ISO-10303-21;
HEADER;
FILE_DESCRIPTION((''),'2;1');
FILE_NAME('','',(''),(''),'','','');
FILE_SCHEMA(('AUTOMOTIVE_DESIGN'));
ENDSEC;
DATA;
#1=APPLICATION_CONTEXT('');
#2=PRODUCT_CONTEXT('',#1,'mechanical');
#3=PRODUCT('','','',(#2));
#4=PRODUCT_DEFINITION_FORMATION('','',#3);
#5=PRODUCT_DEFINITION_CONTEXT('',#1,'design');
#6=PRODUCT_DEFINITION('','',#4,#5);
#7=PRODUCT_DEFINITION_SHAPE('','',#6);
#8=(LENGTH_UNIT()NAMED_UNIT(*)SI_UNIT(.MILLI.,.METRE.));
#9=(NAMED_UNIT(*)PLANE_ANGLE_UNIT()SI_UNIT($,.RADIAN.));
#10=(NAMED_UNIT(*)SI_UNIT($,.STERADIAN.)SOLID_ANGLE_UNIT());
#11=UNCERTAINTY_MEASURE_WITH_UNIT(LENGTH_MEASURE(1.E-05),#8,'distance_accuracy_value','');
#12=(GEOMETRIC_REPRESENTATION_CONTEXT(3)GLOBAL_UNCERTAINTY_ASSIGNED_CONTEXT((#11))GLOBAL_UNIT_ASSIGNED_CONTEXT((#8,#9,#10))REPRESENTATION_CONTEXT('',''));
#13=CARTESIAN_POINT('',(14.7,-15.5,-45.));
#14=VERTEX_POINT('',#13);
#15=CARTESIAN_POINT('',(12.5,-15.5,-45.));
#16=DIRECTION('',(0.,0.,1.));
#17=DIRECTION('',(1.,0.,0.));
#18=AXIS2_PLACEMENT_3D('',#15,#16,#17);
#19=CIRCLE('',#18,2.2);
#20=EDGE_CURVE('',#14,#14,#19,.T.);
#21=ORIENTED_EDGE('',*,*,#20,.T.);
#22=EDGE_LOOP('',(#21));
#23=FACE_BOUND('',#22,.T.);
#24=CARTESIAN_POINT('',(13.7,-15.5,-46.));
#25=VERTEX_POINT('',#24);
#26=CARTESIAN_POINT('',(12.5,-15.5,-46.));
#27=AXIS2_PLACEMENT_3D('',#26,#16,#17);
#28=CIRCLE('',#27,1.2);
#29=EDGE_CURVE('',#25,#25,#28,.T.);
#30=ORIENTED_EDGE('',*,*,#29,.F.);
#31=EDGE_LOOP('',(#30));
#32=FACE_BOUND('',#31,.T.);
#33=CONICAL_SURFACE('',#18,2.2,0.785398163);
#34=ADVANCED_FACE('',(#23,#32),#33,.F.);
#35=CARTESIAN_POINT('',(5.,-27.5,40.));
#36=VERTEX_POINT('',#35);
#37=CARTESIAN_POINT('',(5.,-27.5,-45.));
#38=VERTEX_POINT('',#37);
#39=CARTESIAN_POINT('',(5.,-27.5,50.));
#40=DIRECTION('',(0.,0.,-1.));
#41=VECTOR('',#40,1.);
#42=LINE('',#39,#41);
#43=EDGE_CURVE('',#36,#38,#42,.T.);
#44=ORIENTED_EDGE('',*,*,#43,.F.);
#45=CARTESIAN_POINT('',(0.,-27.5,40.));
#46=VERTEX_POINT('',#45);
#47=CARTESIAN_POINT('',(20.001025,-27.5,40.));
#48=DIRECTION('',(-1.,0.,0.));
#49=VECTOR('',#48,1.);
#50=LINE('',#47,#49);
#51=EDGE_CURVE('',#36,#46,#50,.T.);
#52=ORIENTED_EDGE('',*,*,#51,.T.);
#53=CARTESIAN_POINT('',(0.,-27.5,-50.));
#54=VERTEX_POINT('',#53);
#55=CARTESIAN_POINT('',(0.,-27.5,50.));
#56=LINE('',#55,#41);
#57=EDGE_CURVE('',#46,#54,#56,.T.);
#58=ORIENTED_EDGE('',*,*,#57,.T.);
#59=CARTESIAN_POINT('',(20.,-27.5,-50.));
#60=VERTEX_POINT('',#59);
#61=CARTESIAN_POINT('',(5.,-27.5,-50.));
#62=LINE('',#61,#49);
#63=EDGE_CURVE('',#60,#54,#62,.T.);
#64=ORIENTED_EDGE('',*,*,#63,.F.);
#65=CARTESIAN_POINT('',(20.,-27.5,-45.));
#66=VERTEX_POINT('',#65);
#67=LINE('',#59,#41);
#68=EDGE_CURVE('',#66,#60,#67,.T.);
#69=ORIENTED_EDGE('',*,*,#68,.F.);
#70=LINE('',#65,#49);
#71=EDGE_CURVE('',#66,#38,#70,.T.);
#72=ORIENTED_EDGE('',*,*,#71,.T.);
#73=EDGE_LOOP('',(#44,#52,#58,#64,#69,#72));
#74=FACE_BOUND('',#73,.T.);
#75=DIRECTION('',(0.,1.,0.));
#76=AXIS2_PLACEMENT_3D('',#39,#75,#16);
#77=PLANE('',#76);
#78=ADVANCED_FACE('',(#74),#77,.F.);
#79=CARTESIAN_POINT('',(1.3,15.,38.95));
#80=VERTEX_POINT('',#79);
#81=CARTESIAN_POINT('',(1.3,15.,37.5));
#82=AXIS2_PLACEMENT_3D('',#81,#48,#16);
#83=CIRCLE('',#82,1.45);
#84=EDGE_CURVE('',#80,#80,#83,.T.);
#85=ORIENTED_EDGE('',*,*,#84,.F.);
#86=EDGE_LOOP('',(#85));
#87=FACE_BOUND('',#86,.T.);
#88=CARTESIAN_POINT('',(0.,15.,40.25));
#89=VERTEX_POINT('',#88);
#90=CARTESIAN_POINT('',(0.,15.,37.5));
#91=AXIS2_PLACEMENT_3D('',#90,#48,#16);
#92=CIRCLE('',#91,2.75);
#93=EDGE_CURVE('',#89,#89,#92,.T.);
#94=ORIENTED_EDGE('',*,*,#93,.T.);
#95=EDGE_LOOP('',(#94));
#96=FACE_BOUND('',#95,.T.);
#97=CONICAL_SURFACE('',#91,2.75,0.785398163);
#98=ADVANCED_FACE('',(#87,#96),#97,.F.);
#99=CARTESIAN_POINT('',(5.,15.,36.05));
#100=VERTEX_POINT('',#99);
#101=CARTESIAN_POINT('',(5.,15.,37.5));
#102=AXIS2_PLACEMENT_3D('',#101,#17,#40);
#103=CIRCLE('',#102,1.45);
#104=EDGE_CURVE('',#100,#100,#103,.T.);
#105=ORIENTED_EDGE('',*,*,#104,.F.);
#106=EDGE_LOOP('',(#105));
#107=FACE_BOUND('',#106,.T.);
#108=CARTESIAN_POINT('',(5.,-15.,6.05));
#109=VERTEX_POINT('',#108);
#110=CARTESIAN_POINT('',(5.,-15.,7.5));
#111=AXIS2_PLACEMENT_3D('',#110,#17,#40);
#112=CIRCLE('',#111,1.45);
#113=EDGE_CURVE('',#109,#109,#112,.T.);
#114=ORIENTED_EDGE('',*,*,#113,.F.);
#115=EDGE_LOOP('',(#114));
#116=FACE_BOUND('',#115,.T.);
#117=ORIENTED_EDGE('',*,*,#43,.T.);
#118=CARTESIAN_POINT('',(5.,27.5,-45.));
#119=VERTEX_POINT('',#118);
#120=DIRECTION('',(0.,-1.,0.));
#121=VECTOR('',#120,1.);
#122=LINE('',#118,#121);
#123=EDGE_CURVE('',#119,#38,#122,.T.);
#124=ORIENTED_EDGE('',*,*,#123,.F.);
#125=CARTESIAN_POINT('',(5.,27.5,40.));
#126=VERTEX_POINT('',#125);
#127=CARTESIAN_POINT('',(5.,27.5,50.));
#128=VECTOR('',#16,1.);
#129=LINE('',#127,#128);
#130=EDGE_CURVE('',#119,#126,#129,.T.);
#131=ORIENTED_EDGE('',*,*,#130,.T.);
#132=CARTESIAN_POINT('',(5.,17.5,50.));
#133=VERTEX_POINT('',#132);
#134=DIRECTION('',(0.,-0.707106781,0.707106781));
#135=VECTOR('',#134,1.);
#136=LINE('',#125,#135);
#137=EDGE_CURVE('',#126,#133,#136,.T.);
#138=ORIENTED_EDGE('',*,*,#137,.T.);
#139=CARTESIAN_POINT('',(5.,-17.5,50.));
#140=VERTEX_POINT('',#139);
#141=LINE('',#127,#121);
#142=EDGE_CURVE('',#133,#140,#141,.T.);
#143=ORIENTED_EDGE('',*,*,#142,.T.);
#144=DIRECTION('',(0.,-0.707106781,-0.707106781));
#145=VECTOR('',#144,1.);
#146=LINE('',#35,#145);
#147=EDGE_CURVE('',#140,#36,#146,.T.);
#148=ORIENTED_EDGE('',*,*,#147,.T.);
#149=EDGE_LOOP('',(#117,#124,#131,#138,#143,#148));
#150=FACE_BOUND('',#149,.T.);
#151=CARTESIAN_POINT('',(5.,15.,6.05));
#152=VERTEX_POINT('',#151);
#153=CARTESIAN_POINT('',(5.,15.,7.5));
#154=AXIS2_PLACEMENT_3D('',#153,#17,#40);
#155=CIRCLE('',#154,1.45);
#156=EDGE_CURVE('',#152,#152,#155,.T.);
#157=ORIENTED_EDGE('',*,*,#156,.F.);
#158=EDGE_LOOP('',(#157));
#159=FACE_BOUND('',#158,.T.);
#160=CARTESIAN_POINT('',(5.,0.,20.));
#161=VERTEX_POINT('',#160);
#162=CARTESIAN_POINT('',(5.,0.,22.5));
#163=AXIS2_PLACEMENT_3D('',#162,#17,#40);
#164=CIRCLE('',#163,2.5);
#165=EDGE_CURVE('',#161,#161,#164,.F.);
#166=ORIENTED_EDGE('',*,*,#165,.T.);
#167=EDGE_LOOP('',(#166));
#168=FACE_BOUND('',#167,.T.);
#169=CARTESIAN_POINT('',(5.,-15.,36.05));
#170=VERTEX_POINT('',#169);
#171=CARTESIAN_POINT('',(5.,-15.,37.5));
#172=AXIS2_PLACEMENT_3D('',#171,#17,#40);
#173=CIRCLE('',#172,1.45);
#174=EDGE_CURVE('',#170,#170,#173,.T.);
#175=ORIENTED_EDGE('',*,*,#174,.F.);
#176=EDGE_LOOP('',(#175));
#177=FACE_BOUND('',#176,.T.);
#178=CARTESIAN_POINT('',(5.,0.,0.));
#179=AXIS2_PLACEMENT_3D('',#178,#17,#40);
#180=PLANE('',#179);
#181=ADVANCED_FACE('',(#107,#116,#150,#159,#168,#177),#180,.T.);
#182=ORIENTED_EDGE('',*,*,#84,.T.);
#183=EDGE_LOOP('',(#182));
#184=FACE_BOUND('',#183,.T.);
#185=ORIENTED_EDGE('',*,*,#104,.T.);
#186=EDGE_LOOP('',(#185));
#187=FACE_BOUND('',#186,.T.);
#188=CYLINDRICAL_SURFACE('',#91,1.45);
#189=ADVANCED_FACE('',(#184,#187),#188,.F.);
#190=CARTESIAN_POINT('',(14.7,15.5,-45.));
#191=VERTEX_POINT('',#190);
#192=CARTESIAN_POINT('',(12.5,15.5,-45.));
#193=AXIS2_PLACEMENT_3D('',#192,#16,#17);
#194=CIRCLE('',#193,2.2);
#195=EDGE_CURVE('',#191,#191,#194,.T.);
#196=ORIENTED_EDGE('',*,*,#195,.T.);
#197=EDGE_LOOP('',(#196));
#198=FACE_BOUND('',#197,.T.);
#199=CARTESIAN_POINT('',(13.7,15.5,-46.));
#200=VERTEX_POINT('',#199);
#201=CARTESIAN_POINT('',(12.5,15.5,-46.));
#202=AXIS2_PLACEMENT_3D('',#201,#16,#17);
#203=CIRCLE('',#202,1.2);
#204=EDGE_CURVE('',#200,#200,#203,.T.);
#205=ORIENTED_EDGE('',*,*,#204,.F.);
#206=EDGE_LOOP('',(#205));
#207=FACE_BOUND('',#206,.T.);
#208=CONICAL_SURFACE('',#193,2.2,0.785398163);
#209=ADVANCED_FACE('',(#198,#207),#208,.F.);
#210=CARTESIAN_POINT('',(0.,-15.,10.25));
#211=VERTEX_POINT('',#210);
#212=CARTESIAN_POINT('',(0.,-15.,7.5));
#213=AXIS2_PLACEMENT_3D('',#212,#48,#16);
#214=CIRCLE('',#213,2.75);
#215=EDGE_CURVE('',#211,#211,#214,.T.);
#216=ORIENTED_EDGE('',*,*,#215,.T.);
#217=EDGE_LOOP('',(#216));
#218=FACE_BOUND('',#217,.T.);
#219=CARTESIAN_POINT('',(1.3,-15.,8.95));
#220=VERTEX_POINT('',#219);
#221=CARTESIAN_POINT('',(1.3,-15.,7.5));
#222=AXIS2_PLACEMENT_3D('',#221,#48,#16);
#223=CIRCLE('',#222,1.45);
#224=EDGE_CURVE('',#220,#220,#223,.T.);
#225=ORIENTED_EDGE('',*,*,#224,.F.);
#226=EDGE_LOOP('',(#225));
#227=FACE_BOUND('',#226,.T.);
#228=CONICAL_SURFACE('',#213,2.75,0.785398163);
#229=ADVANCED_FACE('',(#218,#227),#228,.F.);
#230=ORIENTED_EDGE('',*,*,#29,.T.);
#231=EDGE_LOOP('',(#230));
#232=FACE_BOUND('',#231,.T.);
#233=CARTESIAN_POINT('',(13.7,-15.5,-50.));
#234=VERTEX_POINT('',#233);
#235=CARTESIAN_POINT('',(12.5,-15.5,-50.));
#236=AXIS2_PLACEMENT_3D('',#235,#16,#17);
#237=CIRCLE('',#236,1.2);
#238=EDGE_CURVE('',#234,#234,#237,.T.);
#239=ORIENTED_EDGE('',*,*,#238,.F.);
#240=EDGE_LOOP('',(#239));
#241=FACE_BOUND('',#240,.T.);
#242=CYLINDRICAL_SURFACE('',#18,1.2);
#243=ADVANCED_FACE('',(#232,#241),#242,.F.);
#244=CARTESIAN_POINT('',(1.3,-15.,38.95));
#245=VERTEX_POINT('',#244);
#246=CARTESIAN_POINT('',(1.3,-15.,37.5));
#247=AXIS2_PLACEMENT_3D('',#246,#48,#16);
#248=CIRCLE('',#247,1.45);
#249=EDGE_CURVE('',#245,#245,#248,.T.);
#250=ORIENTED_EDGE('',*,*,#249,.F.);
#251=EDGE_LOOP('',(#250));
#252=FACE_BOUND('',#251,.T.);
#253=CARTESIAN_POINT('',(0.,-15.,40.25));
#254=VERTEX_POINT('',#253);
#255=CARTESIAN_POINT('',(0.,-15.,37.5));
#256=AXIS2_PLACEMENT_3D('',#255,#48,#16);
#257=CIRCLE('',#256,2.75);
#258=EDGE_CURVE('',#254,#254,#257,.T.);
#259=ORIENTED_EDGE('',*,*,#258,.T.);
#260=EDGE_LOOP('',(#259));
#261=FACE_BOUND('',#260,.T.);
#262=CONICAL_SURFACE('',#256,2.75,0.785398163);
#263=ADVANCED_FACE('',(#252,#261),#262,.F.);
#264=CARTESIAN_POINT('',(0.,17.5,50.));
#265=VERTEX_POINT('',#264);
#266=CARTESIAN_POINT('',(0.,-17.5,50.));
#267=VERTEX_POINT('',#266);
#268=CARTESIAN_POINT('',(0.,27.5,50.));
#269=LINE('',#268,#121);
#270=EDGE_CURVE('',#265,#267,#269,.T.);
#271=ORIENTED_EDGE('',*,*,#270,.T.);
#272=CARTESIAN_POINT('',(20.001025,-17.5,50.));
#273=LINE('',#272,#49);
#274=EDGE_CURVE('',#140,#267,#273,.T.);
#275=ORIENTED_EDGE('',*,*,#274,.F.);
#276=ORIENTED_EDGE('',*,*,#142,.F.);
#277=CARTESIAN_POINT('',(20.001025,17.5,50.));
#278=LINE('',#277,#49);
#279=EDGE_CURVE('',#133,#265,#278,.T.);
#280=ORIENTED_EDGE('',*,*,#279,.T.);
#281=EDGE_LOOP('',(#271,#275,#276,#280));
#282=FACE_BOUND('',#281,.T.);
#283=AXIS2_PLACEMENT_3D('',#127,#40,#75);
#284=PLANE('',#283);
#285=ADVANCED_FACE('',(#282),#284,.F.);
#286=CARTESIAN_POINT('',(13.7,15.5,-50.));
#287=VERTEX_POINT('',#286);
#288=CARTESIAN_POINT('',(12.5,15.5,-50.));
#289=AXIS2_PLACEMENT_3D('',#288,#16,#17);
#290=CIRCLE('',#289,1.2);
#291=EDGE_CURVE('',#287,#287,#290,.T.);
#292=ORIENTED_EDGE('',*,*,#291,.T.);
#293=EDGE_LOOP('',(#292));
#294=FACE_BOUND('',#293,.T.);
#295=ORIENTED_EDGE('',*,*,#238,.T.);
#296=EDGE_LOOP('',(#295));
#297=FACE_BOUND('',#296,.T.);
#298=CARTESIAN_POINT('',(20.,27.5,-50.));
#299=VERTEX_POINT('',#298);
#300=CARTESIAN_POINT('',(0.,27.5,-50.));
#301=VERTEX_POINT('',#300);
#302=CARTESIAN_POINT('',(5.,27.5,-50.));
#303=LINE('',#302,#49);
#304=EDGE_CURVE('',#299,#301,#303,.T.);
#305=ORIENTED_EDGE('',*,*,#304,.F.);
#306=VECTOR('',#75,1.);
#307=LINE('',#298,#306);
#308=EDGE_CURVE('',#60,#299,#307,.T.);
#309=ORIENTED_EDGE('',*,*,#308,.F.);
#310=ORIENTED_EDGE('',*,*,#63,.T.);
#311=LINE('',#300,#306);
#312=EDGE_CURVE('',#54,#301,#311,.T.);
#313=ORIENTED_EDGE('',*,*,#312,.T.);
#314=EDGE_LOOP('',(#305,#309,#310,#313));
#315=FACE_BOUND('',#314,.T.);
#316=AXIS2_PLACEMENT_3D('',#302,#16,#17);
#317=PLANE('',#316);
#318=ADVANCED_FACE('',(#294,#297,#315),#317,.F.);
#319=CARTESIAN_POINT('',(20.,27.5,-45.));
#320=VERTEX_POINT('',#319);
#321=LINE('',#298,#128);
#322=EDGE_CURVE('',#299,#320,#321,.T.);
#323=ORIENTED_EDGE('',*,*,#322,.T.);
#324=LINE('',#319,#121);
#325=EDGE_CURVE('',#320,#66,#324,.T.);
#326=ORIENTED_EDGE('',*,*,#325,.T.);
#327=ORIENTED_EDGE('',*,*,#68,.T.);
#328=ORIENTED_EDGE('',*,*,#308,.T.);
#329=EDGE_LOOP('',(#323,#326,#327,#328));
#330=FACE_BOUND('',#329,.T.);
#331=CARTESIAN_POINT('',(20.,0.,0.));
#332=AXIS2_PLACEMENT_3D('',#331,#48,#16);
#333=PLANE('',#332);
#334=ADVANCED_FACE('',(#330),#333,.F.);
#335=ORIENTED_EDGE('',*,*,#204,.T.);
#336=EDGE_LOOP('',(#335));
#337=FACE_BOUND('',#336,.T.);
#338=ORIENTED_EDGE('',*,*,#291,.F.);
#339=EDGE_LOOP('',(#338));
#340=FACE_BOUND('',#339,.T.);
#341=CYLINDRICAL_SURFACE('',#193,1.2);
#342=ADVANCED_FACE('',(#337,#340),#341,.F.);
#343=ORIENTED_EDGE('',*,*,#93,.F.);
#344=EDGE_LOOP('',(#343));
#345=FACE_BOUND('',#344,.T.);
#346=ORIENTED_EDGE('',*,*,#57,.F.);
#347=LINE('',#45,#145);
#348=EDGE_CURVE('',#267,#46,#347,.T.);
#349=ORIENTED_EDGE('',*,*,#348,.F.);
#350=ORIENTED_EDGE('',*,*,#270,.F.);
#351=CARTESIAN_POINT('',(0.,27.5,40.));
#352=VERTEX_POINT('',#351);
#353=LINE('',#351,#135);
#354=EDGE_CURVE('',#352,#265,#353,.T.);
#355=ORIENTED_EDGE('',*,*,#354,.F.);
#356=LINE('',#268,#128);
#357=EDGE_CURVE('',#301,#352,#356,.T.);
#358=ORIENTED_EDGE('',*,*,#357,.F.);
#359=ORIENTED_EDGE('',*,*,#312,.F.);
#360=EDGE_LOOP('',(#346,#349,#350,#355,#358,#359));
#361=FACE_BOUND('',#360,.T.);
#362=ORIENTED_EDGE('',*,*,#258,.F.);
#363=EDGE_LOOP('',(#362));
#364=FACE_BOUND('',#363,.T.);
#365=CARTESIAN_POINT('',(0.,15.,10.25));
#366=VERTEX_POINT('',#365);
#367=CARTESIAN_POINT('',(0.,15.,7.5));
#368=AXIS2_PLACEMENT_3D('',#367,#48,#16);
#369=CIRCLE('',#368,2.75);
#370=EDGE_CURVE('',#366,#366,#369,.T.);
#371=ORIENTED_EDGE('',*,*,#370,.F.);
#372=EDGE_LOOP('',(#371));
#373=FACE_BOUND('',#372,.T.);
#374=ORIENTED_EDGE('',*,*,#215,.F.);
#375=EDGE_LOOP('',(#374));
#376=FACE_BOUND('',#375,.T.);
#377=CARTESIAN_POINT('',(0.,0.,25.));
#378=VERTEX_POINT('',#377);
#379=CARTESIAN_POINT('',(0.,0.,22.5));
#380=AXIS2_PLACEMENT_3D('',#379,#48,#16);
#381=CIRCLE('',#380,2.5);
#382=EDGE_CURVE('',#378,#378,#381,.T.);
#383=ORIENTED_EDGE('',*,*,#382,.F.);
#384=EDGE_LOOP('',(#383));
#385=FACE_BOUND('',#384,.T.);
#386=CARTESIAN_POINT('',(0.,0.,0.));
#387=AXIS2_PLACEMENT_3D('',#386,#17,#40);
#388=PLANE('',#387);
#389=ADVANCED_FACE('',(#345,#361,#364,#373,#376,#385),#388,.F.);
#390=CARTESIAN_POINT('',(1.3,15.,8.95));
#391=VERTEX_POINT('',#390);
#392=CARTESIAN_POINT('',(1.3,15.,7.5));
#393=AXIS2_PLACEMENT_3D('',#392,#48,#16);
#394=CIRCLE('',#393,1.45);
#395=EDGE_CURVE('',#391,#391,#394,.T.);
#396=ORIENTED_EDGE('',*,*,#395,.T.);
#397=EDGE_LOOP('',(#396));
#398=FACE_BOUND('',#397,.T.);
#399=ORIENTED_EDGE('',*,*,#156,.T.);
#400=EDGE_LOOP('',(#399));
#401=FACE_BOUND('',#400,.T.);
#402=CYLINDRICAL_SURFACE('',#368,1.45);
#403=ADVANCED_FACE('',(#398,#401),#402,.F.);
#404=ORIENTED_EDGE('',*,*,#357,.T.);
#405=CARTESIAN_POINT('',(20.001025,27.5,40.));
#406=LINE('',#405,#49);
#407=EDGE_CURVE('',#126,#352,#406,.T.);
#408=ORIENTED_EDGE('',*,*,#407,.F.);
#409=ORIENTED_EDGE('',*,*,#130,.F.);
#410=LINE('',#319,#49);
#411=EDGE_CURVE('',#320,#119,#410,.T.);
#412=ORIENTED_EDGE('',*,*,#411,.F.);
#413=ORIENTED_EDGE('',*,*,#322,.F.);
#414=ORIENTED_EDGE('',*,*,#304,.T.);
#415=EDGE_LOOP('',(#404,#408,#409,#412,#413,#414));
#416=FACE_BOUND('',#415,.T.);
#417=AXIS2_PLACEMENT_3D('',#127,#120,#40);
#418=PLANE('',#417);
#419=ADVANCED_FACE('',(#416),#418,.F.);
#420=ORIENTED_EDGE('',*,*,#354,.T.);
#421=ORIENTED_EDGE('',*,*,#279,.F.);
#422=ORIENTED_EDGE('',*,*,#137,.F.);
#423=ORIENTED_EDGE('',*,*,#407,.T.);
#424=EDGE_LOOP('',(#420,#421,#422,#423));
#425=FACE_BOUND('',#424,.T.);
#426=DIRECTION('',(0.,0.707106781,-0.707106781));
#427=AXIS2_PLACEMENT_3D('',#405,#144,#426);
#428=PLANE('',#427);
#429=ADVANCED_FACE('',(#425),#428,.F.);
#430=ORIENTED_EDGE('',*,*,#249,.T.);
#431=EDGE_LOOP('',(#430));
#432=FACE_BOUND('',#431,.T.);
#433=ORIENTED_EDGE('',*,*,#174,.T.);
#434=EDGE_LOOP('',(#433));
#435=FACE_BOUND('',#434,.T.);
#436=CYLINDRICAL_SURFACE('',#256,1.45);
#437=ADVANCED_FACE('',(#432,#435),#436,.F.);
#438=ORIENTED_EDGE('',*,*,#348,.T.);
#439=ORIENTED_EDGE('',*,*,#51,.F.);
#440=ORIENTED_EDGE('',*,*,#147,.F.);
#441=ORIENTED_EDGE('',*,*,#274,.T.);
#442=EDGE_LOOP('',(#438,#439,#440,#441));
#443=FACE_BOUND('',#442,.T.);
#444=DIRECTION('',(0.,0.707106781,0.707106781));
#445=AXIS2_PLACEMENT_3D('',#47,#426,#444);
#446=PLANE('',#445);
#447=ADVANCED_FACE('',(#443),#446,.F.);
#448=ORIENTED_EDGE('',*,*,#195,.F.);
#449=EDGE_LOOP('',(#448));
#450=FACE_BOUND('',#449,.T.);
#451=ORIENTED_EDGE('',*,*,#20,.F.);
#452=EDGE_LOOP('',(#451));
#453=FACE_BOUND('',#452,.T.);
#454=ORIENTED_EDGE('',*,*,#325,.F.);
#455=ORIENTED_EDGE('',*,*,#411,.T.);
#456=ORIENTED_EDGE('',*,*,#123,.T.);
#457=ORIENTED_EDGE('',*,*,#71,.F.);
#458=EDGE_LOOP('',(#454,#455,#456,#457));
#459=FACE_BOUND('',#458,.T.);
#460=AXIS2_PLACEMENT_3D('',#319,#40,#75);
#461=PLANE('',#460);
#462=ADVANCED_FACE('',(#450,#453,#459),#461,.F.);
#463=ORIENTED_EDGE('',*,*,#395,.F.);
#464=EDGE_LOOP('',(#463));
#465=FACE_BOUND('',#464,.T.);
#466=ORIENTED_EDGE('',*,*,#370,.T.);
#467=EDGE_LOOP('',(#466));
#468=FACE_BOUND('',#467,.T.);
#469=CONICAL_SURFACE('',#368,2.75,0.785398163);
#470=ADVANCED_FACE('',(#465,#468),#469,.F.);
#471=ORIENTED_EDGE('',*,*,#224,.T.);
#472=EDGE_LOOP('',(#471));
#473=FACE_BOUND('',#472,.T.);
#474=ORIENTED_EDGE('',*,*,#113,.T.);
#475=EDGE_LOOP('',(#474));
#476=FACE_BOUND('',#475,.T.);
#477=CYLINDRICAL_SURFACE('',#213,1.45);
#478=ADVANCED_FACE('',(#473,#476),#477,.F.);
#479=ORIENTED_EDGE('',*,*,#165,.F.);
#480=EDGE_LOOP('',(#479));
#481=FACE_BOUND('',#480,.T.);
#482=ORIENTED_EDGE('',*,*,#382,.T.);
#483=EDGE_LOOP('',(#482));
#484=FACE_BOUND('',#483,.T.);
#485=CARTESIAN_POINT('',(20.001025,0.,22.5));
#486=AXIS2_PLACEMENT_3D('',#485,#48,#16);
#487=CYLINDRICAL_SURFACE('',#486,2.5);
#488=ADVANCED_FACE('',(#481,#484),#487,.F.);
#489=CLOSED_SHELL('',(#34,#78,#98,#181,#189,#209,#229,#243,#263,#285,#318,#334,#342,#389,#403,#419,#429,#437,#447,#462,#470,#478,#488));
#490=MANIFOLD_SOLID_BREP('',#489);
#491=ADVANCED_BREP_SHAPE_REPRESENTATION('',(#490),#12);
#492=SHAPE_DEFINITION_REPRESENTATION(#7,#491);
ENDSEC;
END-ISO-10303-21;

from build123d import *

# Parameters (mm, degrees)
SKETCH1_W                                         = 100
SKETCH1_H                                         = 55
BOSS_EXTRUDE1_DEPTH                               = 5
SKETCH2_W                                         = 5
SKETCH2_H                                         = 55
BOSS_EXTRUDE2_DEPTH                               = 15
CUT_EXTRUDE1_REACH                                = 22
CSK_FOR_M2_FLAT_HEAD_MACHINE_SCREW1_D             = 2.4
CSK_FOR_M2_FLAT_HEAD_MACHINE_SCREW1_CSINK_D       = 4.4
CSK_FOR_M2_FLAT_HEAD_MACHINE_SCREW1_CSINK_ANGLE   = 90
CUT_EXTRUDE2_REACH                                = 22
SKETCH6_R                                         = 2.5
CSK_FOR_M2_5_FLAT_HEAD_MACHINE_SCREW1_D           = 2.9
CSK_FOR_M2_5_FLAT_HEAD_MACHINE_SCREW1_DEPTH       = 5
CSK_FOR_M2_5_FLAT_HEAD_MACHINE_SCREW1_CSINK_D     = 5.5
CSK_FOR_M2_5_FLAT_HEAD_MACHINE_SCREW1_CSINK_ANGLE = 90


with BuildPart() as part:
    # Sketch1 → Boss-Extrude1 (new body)
    with BuildSketch(Plane(origin=(0, 0, 0), x_dir=(0, 0, -1), z_dir=(1, 0, 0))):
        Rectangle(SKETCH1_W, SKETCH1_H)
    extrude(amount=BOSS_EXTRUDE1_DEPTH)

    # Sketch2 → Boss-Extrude2 (add)
    with BuildSketch(Plane(origin=(5, 0, 0), x_dir=(0, 0, -1), z_dir=(1, 0, 0))):
        with Locations((47.5, 0)):
            Rectangle(SKETCH2_W, SKETCH2_H)
    extrude(amount=BOSS_EXTRUDE2_DEPTH)

    # Sketch3 → Cut-Extrude1 (cut, up to next)
    with BuildSketch(Plane.ZY, mode=Mode.PRIVATE) as cut_extrude1_sk1:
        Polygon((50, 27.5), (40, 27.5), (50, 17.5), align=None)
    cut_extrude1_tool1 = extrude(cut_extrude1_sk1.sketch, amount=-CUT_EXTRUDE1_REACH, mode=Mode.PRIVATE) & part.part
    add(cut_extrude1_tool1.solids().sort_by_distance((0, 24.166667, 46.666667))[0], mode=Mode.SUBTRACT)
    # Sketch3 → Cut-Extrude1 (cut, up to next)
    with BuildSketch(Plane.ZY, mode=Mode.PRIVATE) as cut_extrude1_sk2:
        Polygon((50, -27.5), (40, -27.5), (50, -17.5), align=None)
    cut_extrude1_tool2 = extrude(cut_extrude1_sk2.sketch, amount=-CUT_EXTRUDE1_REACH, mode=Mode.PRIVATE) & part.part
    add(cut_extrude1_tool2.solids().sort_by_distance((0, -24.166667, 46.666667))[0], mode=Mode.SUBTRACT)

    # CSK for M2 Flat Head Machine Screw1 (through all)
    with Locations(Plane.XY.offset(-45)):
        with Locations((12.5, 15.5), (12.5, -15.5)):
            CounterSinkHole(CSK_FOR_M2_FLAT_HEAD_MACHINE_SCREW1_D / 2, CSK_FOR_M2_FLAT_HEAD_MACHINE_SCREW1_CSINK_D / 2, counter_sink_angle=CSK_FOR_M2_FLAT_HEAD_MACHINE_SCREW1_CSINK_ANGLE)

    # Sketch6 → Cut-Extrude2 (cut, up to next)
    with BuildSketch(Plane.ZY, mode=Mode.PRIVATE) as cut_extrude2_sk1:
        with Locations((22.5, 0)):
            Circle(SKETCH6_R)
    cut_extrude2_tool1 = extrude(cut_extrude2_sk1.sketch, amount=-CUT_EXTRUDE2_REACH, mode=Mode.PRIVATE) & part.part
    add(cut_extrude2_tool1.solids().sort_by_distance((0, 0, 22.5))[0], mode=Mode.SUBTRACT)

    # CSK for M2.5 Flat Head Machine Screw1
    with Locations(Plane.ZY):
        with Locations((7.5, 15), (7.5, -15), (37.5, -15), (37.5, 15)):
            CounterSinkHole(CSK_FOR_M2_5_FLAT_HEAD_MACHINE_SCREW1_D / 2, CSK_FOR_M2_5_FLAT_HEAD_MACHINE_SCREW1_CSINK_D / 2, depth=CSK_FOR_M2_5_FLAT_HEAD_MACHINE_SCREW1_DEPTH, counter_sink_angle=CSK_FOR_M2_5_FLAT_HEAD_MACHINE_SCREW1_CSINK_ANGLE)


solid = part.part
